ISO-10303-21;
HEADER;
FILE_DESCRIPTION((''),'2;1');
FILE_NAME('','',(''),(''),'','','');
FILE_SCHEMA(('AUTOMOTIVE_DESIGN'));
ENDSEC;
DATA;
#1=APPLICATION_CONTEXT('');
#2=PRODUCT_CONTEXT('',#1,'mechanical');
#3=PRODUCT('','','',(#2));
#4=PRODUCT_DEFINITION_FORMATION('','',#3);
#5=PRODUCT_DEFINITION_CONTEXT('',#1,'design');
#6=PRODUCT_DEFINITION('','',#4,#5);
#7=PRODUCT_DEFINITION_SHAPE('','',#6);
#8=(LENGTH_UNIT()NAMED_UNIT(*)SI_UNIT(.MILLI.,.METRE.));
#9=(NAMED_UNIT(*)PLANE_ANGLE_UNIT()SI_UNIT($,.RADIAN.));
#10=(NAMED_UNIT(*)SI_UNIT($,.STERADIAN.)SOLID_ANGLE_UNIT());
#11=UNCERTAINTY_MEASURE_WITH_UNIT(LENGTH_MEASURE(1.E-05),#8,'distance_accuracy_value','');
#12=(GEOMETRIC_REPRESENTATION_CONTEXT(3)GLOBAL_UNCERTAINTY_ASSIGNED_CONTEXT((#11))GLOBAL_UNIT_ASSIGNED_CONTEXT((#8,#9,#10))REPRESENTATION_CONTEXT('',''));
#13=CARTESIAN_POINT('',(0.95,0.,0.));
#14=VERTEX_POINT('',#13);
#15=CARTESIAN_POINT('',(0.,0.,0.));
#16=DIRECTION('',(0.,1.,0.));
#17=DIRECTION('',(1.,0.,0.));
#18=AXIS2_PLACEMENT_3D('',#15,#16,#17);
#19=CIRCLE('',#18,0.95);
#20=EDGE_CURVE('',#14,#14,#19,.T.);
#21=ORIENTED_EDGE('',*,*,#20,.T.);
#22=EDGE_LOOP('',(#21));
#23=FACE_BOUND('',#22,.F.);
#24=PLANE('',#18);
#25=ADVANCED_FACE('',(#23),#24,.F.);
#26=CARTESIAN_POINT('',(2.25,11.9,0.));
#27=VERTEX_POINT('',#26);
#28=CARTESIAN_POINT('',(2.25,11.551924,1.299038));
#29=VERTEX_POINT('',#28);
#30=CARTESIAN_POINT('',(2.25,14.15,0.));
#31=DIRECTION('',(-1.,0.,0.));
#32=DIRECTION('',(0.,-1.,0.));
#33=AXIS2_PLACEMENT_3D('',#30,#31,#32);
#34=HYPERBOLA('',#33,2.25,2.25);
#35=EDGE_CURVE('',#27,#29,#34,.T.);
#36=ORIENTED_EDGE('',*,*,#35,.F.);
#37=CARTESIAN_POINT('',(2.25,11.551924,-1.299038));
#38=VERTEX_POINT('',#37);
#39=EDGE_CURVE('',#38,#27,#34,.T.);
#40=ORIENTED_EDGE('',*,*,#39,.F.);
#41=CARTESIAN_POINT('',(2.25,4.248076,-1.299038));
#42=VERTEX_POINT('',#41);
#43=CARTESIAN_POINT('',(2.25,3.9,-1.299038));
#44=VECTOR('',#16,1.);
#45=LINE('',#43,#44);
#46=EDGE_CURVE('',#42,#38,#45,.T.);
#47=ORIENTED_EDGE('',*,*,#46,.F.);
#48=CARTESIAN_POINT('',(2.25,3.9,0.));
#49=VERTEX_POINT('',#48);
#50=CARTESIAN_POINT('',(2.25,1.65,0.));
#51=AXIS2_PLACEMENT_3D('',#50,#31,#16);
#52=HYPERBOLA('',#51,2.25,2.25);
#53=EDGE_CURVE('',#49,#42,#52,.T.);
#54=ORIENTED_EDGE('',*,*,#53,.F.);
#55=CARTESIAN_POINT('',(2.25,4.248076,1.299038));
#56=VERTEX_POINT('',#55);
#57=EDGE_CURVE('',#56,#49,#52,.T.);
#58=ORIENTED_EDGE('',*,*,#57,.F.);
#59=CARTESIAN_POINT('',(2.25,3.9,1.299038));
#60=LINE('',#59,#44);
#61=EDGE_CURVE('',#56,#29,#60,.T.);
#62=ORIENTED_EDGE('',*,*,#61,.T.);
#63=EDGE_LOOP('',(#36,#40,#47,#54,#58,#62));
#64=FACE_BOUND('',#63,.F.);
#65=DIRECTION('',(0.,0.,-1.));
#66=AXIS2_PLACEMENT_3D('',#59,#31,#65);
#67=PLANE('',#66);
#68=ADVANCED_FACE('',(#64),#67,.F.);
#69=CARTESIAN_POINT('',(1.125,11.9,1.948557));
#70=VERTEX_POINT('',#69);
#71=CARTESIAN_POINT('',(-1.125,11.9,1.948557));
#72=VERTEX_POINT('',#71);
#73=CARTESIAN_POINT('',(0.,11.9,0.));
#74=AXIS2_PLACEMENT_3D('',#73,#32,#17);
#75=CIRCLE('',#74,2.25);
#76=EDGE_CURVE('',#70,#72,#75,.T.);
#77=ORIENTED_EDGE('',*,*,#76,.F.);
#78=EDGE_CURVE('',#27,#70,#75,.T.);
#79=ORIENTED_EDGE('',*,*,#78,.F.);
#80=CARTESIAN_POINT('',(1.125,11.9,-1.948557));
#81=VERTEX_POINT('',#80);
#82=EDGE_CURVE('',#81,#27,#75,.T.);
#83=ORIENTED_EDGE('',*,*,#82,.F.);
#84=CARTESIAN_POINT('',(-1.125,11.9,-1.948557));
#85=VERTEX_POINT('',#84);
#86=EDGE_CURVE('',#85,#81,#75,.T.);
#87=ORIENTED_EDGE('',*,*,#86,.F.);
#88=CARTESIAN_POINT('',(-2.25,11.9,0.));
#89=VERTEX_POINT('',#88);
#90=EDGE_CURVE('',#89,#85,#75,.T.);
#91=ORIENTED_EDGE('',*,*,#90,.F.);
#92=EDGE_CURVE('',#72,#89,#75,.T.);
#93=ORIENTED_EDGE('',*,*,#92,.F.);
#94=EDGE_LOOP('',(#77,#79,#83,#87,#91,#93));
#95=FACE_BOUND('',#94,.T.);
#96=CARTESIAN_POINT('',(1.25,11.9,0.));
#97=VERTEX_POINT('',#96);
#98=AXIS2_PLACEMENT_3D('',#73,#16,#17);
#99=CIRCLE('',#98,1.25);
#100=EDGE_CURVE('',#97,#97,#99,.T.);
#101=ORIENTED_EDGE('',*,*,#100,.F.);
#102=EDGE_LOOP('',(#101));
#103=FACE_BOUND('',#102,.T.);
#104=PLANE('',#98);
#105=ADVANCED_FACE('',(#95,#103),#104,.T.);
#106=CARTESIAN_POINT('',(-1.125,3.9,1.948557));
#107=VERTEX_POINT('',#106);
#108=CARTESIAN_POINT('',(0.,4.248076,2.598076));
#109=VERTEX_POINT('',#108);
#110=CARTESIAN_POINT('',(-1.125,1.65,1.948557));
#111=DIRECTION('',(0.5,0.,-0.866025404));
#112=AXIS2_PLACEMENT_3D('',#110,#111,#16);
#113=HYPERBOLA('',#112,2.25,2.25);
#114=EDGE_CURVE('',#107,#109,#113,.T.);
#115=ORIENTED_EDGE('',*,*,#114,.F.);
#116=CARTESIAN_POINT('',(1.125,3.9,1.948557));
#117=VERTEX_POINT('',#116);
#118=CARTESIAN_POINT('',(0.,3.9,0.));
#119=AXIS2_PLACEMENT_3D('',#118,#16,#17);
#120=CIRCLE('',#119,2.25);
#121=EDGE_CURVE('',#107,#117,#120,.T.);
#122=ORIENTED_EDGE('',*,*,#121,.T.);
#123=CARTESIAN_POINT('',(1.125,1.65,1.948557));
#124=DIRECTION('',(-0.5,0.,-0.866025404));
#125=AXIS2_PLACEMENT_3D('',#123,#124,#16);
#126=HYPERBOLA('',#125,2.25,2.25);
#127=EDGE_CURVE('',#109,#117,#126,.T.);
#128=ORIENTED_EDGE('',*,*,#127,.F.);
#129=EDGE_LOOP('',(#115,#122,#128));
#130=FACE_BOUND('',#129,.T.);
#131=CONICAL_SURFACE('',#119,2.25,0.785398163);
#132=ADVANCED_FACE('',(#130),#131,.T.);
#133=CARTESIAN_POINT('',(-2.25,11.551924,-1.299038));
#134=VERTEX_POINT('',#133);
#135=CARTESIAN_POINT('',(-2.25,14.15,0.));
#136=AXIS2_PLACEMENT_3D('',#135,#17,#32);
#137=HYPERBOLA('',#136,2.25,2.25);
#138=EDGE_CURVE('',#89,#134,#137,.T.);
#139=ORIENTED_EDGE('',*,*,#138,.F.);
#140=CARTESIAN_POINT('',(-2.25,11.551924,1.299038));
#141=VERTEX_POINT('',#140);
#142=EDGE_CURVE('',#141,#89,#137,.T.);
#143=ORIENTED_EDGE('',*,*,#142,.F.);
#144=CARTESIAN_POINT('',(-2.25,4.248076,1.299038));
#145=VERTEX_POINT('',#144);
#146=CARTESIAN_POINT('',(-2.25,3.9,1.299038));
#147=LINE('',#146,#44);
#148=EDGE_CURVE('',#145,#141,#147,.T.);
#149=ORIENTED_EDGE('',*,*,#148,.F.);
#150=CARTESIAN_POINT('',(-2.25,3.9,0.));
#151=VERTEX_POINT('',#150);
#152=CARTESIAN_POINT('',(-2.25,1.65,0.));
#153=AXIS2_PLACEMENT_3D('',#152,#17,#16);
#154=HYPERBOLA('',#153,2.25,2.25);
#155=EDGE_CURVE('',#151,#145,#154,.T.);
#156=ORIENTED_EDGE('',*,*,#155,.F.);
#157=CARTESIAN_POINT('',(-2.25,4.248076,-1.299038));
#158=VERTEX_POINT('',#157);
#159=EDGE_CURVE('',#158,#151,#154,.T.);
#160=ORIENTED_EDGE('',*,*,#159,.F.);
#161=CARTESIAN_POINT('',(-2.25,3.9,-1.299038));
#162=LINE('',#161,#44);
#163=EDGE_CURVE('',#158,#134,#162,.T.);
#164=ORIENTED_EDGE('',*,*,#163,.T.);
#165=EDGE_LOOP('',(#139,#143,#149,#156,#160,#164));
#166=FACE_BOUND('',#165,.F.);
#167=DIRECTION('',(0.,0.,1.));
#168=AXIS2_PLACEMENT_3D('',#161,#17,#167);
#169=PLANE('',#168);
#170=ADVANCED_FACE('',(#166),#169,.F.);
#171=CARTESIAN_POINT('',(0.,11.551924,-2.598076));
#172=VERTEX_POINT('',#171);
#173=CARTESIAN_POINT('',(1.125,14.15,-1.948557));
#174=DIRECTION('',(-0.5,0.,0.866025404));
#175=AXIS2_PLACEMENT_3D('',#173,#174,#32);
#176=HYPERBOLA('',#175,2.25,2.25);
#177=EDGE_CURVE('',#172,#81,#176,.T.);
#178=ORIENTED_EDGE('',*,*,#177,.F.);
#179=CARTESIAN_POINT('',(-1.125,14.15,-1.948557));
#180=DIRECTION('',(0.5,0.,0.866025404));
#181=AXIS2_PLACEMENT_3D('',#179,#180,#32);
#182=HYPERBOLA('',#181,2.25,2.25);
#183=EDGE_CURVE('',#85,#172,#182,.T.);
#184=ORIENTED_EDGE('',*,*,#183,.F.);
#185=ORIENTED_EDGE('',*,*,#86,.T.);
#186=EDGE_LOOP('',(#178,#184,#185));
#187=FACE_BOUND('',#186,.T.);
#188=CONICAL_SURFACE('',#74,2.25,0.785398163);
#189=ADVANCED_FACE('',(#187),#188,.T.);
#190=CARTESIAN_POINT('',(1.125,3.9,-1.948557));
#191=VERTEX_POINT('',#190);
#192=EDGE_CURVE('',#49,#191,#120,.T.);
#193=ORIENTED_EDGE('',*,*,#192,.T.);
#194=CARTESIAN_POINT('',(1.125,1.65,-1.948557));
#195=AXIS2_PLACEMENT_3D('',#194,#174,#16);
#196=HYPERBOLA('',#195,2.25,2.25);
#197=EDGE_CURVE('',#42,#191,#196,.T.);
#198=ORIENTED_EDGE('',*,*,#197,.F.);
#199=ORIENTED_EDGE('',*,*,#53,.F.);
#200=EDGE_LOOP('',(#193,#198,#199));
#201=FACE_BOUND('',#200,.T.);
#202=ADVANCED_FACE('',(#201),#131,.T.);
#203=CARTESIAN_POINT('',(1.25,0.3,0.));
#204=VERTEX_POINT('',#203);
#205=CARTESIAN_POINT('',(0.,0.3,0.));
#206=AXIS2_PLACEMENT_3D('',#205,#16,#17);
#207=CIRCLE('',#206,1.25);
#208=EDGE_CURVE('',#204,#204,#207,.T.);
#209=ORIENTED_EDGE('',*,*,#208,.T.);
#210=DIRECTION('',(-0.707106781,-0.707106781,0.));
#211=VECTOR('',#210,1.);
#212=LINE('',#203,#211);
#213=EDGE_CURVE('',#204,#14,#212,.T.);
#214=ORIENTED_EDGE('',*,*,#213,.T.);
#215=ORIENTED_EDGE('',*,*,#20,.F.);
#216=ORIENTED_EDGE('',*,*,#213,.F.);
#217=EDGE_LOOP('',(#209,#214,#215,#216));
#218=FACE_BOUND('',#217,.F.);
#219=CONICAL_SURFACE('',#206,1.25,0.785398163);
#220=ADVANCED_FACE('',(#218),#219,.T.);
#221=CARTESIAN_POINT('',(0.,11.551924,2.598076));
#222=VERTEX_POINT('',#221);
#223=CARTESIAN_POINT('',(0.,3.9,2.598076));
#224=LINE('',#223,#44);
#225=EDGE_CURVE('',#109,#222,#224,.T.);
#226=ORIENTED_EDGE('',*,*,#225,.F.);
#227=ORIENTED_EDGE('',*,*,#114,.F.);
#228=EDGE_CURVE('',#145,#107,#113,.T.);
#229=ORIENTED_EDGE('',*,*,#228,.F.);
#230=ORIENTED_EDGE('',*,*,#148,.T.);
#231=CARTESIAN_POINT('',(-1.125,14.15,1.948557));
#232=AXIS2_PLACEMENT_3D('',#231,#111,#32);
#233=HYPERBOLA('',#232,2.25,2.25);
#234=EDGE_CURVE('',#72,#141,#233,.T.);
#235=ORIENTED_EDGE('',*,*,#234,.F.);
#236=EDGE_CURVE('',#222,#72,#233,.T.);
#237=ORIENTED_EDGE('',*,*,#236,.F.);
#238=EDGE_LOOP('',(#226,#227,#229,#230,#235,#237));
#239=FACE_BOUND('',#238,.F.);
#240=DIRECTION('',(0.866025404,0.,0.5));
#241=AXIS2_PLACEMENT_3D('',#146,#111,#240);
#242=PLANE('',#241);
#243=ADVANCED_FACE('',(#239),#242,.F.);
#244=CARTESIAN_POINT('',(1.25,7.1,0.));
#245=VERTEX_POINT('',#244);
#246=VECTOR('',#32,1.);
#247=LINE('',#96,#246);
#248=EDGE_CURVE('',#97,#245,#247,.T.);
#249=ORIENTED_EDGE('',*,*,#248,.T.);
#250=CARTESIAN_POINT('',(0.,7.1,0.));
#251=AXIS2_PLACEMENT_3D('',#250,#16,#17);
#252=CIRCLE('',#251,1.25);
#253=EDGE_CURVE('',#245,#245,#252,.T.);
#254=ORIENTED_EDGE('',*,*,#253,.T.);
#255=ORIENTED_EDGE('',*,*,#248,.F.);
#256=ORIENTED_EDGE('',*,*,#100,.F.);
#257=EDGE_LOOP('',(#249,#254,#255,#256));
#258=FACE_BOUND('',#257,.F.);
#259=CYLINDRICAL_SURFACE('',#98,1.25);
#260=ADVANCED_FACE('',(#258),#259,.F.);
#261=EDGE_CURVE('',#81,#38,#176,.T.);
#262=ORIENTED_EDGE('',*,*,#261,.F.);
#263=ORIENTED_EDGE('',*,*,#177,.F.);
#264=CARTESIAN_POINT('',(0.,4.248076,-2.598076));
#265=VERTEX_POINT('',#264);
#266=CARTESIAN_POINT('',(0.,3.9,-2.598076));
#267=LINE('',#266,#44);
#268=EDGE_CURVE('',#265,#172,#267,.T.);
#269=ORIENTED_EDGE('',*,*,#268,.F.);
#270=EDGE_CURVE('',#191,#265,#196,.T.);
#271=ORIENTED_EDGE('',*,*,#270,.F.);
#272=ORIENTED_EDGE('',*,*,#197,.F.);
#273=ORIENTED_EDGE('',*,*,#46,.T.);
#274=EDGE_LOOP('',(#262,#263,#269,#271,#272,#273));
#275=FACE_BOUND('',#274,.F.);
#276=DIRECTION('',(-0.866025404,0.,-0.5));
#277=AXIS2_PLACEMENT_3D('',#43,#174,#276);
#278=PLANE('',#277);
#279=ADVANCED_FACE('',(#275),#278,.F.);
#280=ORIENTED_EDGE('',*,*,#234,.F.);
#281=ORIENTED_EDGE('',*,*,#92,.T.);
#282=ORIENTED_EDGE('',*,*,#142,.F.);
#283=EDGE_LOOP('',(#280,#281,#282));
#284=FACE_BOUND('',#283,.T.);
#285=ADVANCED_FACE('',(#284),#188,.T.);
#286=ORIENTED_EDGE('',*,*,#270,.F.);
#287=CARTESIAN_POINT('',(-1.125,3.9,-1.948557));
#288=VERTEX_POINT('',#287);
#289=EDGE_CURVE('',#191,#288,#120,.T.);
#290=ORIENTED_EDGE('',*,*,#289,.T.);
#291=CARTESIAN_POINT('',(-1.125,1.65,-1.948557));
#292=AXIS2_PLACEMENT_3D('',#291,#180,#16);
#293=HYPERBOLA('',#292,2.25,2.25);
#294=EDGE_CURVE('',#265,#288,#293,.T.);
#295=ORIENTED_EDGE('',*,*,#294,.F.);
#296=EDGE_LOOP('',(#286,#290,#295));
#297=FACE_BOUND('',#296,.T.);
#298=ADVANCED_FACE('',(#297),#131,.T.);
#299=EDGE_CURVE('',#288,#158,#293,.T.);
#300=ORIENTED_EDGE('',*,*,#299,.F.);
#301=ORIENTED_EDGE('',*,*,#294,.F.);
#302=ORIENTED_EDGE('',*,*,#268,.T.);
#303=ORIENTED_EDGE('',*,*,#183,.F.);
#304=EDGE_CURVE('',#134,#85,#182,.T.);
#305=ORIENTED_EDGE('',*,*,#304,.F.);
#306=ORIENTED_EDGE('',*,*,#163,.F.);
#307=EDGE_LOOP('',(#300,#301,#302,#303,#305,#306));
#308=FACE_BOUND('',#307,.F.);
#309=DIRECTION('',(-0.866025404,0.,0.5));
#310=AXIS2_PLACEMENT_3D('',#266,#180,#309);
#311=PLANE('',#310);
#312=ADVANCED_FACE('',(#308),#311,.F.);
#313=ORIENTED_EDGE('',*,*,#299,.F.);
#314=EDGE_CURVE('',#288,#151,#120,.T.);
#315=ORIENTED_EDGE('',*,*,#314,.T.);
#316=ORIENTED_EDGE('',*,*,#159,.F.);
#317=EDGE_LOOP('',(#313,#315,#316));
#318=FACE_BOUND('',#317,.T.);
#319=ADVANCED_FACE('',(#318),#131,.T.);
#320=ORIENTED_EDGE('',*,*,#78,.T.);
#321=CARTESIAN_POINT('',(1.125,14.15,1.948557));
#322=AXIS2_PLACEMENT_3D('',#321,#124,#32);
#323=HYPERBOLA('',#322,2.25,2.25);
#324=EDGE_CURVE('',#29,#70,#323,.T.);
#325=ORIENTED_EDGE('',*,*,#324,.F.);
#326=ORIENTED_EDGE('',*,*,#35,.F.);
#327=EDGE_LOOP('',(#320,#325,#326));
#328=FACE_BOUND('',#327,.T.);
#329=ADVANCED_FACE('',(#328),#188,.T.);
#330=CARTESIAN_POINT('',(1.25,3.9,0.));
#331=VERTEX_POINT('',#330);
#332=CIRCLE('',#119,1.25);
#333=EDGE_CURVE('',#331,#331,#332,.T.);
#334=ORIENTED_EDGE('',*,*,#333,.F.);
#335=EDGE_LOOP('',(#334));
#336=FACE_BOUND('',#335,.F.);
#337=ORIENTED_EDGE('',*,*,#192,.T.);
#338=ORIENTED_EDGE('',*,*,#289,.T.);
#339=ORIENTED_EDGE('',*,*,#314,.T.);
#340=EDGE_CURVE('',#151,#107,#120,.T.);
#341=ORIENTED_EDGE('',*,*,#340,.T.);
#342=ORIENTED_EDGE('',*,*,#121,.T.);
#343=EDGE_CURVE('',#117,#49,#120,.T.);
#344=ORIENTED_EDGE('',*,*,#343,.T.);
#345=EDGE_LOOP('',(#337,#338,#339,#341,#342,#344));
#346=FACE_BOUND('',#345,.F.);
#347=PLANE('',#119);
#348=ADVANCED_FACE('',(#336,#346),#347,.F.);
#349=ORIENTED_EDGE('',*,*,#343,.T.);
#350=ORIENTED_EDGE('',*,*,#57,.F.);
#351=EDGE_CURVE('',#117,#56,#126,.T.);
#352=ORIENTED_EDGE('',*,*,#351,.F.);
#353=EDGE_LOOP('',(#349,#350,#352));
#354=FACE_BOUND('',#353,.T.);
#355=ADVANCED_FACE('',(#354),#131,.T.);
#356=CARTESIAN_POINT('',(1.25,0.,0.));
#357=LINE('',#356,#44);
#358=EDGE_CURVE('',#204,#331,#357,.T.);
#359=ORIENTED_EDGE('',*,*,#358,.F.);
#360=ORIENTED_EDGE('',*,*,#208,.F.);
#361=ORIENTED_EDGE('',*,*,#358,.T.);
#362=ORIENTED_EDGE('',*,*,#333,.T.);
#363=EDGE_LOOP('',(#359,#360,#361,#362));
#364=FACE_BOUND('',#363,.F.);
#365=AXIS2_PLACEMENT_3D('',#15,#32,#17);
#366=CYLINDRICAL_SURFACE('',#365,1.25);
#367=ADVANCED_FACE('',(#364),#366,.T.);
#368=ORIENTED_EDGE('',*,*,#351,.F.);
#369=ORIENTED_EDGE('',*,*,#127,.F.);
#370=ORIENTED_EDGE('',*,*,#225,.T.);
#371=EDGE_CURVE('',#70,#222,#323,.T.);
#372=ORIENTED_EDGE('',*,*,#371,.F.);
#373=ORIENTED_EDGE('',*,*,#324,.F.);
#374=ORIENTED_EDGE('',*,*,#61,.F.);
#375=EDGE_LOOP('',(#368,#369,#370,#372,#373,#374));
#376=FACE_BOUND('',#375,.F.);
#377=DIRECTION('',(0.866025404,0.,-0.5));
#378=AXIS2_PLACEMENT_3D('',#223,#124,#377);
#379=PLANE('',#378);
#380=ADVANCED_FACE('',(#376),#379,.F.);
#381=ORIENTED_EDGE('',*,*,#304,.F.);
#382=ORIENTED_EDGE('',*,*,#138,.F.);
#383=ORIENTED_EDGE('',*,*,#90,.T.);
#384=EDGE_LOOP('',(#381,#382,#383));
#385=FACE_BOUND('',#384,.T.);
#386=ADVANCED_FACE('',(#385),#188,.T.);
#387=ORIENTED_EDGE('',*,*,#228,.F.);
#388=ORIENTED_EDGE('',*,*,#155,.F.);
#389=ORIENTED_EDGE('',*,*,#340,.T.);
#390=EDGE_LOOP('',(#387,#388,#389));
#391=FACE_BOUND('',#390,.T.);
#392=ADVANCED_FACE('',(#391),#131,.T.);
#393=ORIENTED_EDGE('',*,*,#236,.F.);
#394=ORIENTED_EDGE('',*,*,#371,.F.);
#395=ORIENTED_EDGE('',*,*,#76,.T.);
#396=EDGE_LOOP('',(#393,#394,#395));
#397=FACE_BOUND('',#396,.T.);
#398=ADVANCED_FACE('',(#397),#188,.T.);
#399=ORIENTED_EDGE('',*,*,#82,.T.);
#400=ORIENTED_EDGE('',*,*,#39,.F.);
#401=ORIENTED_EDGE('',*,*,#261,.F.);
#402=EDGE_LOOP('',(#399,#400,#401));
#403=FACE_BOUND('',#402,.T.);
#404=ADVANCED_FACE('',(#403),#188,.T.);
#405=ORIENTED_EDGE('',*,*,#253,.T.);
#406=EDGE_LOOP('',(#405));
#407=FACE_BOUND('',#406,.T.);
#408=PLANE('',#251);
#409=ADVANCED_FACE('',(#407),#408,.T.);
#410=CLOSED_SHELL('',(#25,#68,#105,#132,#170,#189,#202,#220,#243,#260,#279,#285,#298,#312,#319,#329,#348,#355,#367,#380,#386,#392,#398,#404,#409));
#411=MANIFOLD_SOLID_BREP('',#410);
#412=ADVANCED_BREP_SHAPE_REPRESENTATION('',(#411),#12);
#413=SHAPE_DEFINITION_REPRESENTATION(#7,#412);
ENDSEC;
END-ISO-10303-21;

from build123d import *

# Parameters (mm, degrees)
SKETCH1_R           = 1.25
BOSS_EXTRUDE1_DEPTH = 3.9
BOSS_EXTRUDE2_DEPTH = 8
SKETCH3_R           = 1.25
CUT_EXTRUDE1_DEPTH  = 4.8
SKETCH4_OUTSIDE_W   = 35.048
SKETCH4_OUTSIDE_H   = 35.744
SKETCH4_OUTSIDE_R   = 2.25
CUT_EXTRUDE2_DEPTH  = 12.9
CUT_EXTRUDE2_TAPER  = 45
SKETCH5_OUTSIDE_W   = 27.248
SKETCH5_OUTSIDE_H   = 27.944
SKETCH5_OUTSIDE_R   = 2.25
CUT_EXTRUDE3_DEPTH  = 9
CUT_EXTRUDE3_TAPER  = 45
CHAMFER1_SIZE       = 0.3


with BuildPart() as part:
    # Sketch1 → Boss-Extrude1 (new body)
    with BuildSketch(Plane(origin=(0, 0, 0), x_dir=(1, 0, 0), z_dir=(0, 1, 0))):
        Circle(SKETCH1_R)
    extrude(amount=BOSS_EXTRUDE1_DEPTH)

    # Sketch2 → Boss-Extrude2 (add)
    with BuildSketch(Plane(origin=(0, 3.9, 0), x_dir=(1, 0, 0), z_dir=(0, 1, 0))):
        Polygon((0, -2.598076211), (2.25, -1.299038106), (2.25, 1.299038106), (0, 2.598076211), (-2.25, 1.299038106), (-2.25, -1.299038106), align=None)
    extrude(amount=BOSS_EXTRUDE2_DEPTH)

    # Sketch3 → Cut-Extrude1 (cut)
    with BuildSketch(Plane(origin=(0, 11.9, 0), x_dir=(1, 0, 0), z_dir=(0, 1, 0))):
        Circle(SKETCH3_R)
    extrude(amount=-CUT_EXTRUDE1_DEPTH, mode=Mode.SUBTRACT)

    # Sketch4 outside → Cut-Extrude2 (cut, through all)
    with BuildSketch(Plane(origin=(0, 11.9, 0), x_dir=(1, 0, 0), z_dir=(0, 1, 0))):
        Rectangle(SKETCH4_OUTSIDE_W, SKETCH4_OUTSIDE_H)
        Circle(SKETCH4_OUTSIDE_R, mode=Mode.SUBTRACT)
    extrude(amount=-CUT_EXTRUDE2_DEPTH, taper=CUT_EXTRUDE2_TAPER, mode=Mode.SUBTRACT)

    # Sketch5 outside → Cut-Extrude3 (cut, through all)
    with BuildSketch(Plane.XZ.offset(-3.9)):
        Rectangle(SKETCH5_OUTSIDE_W, SKETCH5_OUTSIDE_H)
        Circle(SKETCH5_OUTSIDE_R, mode=Mode.SUBTRACT)
    extrude(amount=-CUT_EXTRUDE3_DEPTH, taper=CUT_EXTRUDE3_TAPER, mode=Mode.SUBTRACT)

    # Chamfer1
    chamfer1_edges = [part.edges().sort_by_distance(p)[0] for p in [
        (-1.25, 0, 0),
    ]]
    chamfer(chamfer1_edges, length=CHAMFER1_SIZE)


solid = part.part
